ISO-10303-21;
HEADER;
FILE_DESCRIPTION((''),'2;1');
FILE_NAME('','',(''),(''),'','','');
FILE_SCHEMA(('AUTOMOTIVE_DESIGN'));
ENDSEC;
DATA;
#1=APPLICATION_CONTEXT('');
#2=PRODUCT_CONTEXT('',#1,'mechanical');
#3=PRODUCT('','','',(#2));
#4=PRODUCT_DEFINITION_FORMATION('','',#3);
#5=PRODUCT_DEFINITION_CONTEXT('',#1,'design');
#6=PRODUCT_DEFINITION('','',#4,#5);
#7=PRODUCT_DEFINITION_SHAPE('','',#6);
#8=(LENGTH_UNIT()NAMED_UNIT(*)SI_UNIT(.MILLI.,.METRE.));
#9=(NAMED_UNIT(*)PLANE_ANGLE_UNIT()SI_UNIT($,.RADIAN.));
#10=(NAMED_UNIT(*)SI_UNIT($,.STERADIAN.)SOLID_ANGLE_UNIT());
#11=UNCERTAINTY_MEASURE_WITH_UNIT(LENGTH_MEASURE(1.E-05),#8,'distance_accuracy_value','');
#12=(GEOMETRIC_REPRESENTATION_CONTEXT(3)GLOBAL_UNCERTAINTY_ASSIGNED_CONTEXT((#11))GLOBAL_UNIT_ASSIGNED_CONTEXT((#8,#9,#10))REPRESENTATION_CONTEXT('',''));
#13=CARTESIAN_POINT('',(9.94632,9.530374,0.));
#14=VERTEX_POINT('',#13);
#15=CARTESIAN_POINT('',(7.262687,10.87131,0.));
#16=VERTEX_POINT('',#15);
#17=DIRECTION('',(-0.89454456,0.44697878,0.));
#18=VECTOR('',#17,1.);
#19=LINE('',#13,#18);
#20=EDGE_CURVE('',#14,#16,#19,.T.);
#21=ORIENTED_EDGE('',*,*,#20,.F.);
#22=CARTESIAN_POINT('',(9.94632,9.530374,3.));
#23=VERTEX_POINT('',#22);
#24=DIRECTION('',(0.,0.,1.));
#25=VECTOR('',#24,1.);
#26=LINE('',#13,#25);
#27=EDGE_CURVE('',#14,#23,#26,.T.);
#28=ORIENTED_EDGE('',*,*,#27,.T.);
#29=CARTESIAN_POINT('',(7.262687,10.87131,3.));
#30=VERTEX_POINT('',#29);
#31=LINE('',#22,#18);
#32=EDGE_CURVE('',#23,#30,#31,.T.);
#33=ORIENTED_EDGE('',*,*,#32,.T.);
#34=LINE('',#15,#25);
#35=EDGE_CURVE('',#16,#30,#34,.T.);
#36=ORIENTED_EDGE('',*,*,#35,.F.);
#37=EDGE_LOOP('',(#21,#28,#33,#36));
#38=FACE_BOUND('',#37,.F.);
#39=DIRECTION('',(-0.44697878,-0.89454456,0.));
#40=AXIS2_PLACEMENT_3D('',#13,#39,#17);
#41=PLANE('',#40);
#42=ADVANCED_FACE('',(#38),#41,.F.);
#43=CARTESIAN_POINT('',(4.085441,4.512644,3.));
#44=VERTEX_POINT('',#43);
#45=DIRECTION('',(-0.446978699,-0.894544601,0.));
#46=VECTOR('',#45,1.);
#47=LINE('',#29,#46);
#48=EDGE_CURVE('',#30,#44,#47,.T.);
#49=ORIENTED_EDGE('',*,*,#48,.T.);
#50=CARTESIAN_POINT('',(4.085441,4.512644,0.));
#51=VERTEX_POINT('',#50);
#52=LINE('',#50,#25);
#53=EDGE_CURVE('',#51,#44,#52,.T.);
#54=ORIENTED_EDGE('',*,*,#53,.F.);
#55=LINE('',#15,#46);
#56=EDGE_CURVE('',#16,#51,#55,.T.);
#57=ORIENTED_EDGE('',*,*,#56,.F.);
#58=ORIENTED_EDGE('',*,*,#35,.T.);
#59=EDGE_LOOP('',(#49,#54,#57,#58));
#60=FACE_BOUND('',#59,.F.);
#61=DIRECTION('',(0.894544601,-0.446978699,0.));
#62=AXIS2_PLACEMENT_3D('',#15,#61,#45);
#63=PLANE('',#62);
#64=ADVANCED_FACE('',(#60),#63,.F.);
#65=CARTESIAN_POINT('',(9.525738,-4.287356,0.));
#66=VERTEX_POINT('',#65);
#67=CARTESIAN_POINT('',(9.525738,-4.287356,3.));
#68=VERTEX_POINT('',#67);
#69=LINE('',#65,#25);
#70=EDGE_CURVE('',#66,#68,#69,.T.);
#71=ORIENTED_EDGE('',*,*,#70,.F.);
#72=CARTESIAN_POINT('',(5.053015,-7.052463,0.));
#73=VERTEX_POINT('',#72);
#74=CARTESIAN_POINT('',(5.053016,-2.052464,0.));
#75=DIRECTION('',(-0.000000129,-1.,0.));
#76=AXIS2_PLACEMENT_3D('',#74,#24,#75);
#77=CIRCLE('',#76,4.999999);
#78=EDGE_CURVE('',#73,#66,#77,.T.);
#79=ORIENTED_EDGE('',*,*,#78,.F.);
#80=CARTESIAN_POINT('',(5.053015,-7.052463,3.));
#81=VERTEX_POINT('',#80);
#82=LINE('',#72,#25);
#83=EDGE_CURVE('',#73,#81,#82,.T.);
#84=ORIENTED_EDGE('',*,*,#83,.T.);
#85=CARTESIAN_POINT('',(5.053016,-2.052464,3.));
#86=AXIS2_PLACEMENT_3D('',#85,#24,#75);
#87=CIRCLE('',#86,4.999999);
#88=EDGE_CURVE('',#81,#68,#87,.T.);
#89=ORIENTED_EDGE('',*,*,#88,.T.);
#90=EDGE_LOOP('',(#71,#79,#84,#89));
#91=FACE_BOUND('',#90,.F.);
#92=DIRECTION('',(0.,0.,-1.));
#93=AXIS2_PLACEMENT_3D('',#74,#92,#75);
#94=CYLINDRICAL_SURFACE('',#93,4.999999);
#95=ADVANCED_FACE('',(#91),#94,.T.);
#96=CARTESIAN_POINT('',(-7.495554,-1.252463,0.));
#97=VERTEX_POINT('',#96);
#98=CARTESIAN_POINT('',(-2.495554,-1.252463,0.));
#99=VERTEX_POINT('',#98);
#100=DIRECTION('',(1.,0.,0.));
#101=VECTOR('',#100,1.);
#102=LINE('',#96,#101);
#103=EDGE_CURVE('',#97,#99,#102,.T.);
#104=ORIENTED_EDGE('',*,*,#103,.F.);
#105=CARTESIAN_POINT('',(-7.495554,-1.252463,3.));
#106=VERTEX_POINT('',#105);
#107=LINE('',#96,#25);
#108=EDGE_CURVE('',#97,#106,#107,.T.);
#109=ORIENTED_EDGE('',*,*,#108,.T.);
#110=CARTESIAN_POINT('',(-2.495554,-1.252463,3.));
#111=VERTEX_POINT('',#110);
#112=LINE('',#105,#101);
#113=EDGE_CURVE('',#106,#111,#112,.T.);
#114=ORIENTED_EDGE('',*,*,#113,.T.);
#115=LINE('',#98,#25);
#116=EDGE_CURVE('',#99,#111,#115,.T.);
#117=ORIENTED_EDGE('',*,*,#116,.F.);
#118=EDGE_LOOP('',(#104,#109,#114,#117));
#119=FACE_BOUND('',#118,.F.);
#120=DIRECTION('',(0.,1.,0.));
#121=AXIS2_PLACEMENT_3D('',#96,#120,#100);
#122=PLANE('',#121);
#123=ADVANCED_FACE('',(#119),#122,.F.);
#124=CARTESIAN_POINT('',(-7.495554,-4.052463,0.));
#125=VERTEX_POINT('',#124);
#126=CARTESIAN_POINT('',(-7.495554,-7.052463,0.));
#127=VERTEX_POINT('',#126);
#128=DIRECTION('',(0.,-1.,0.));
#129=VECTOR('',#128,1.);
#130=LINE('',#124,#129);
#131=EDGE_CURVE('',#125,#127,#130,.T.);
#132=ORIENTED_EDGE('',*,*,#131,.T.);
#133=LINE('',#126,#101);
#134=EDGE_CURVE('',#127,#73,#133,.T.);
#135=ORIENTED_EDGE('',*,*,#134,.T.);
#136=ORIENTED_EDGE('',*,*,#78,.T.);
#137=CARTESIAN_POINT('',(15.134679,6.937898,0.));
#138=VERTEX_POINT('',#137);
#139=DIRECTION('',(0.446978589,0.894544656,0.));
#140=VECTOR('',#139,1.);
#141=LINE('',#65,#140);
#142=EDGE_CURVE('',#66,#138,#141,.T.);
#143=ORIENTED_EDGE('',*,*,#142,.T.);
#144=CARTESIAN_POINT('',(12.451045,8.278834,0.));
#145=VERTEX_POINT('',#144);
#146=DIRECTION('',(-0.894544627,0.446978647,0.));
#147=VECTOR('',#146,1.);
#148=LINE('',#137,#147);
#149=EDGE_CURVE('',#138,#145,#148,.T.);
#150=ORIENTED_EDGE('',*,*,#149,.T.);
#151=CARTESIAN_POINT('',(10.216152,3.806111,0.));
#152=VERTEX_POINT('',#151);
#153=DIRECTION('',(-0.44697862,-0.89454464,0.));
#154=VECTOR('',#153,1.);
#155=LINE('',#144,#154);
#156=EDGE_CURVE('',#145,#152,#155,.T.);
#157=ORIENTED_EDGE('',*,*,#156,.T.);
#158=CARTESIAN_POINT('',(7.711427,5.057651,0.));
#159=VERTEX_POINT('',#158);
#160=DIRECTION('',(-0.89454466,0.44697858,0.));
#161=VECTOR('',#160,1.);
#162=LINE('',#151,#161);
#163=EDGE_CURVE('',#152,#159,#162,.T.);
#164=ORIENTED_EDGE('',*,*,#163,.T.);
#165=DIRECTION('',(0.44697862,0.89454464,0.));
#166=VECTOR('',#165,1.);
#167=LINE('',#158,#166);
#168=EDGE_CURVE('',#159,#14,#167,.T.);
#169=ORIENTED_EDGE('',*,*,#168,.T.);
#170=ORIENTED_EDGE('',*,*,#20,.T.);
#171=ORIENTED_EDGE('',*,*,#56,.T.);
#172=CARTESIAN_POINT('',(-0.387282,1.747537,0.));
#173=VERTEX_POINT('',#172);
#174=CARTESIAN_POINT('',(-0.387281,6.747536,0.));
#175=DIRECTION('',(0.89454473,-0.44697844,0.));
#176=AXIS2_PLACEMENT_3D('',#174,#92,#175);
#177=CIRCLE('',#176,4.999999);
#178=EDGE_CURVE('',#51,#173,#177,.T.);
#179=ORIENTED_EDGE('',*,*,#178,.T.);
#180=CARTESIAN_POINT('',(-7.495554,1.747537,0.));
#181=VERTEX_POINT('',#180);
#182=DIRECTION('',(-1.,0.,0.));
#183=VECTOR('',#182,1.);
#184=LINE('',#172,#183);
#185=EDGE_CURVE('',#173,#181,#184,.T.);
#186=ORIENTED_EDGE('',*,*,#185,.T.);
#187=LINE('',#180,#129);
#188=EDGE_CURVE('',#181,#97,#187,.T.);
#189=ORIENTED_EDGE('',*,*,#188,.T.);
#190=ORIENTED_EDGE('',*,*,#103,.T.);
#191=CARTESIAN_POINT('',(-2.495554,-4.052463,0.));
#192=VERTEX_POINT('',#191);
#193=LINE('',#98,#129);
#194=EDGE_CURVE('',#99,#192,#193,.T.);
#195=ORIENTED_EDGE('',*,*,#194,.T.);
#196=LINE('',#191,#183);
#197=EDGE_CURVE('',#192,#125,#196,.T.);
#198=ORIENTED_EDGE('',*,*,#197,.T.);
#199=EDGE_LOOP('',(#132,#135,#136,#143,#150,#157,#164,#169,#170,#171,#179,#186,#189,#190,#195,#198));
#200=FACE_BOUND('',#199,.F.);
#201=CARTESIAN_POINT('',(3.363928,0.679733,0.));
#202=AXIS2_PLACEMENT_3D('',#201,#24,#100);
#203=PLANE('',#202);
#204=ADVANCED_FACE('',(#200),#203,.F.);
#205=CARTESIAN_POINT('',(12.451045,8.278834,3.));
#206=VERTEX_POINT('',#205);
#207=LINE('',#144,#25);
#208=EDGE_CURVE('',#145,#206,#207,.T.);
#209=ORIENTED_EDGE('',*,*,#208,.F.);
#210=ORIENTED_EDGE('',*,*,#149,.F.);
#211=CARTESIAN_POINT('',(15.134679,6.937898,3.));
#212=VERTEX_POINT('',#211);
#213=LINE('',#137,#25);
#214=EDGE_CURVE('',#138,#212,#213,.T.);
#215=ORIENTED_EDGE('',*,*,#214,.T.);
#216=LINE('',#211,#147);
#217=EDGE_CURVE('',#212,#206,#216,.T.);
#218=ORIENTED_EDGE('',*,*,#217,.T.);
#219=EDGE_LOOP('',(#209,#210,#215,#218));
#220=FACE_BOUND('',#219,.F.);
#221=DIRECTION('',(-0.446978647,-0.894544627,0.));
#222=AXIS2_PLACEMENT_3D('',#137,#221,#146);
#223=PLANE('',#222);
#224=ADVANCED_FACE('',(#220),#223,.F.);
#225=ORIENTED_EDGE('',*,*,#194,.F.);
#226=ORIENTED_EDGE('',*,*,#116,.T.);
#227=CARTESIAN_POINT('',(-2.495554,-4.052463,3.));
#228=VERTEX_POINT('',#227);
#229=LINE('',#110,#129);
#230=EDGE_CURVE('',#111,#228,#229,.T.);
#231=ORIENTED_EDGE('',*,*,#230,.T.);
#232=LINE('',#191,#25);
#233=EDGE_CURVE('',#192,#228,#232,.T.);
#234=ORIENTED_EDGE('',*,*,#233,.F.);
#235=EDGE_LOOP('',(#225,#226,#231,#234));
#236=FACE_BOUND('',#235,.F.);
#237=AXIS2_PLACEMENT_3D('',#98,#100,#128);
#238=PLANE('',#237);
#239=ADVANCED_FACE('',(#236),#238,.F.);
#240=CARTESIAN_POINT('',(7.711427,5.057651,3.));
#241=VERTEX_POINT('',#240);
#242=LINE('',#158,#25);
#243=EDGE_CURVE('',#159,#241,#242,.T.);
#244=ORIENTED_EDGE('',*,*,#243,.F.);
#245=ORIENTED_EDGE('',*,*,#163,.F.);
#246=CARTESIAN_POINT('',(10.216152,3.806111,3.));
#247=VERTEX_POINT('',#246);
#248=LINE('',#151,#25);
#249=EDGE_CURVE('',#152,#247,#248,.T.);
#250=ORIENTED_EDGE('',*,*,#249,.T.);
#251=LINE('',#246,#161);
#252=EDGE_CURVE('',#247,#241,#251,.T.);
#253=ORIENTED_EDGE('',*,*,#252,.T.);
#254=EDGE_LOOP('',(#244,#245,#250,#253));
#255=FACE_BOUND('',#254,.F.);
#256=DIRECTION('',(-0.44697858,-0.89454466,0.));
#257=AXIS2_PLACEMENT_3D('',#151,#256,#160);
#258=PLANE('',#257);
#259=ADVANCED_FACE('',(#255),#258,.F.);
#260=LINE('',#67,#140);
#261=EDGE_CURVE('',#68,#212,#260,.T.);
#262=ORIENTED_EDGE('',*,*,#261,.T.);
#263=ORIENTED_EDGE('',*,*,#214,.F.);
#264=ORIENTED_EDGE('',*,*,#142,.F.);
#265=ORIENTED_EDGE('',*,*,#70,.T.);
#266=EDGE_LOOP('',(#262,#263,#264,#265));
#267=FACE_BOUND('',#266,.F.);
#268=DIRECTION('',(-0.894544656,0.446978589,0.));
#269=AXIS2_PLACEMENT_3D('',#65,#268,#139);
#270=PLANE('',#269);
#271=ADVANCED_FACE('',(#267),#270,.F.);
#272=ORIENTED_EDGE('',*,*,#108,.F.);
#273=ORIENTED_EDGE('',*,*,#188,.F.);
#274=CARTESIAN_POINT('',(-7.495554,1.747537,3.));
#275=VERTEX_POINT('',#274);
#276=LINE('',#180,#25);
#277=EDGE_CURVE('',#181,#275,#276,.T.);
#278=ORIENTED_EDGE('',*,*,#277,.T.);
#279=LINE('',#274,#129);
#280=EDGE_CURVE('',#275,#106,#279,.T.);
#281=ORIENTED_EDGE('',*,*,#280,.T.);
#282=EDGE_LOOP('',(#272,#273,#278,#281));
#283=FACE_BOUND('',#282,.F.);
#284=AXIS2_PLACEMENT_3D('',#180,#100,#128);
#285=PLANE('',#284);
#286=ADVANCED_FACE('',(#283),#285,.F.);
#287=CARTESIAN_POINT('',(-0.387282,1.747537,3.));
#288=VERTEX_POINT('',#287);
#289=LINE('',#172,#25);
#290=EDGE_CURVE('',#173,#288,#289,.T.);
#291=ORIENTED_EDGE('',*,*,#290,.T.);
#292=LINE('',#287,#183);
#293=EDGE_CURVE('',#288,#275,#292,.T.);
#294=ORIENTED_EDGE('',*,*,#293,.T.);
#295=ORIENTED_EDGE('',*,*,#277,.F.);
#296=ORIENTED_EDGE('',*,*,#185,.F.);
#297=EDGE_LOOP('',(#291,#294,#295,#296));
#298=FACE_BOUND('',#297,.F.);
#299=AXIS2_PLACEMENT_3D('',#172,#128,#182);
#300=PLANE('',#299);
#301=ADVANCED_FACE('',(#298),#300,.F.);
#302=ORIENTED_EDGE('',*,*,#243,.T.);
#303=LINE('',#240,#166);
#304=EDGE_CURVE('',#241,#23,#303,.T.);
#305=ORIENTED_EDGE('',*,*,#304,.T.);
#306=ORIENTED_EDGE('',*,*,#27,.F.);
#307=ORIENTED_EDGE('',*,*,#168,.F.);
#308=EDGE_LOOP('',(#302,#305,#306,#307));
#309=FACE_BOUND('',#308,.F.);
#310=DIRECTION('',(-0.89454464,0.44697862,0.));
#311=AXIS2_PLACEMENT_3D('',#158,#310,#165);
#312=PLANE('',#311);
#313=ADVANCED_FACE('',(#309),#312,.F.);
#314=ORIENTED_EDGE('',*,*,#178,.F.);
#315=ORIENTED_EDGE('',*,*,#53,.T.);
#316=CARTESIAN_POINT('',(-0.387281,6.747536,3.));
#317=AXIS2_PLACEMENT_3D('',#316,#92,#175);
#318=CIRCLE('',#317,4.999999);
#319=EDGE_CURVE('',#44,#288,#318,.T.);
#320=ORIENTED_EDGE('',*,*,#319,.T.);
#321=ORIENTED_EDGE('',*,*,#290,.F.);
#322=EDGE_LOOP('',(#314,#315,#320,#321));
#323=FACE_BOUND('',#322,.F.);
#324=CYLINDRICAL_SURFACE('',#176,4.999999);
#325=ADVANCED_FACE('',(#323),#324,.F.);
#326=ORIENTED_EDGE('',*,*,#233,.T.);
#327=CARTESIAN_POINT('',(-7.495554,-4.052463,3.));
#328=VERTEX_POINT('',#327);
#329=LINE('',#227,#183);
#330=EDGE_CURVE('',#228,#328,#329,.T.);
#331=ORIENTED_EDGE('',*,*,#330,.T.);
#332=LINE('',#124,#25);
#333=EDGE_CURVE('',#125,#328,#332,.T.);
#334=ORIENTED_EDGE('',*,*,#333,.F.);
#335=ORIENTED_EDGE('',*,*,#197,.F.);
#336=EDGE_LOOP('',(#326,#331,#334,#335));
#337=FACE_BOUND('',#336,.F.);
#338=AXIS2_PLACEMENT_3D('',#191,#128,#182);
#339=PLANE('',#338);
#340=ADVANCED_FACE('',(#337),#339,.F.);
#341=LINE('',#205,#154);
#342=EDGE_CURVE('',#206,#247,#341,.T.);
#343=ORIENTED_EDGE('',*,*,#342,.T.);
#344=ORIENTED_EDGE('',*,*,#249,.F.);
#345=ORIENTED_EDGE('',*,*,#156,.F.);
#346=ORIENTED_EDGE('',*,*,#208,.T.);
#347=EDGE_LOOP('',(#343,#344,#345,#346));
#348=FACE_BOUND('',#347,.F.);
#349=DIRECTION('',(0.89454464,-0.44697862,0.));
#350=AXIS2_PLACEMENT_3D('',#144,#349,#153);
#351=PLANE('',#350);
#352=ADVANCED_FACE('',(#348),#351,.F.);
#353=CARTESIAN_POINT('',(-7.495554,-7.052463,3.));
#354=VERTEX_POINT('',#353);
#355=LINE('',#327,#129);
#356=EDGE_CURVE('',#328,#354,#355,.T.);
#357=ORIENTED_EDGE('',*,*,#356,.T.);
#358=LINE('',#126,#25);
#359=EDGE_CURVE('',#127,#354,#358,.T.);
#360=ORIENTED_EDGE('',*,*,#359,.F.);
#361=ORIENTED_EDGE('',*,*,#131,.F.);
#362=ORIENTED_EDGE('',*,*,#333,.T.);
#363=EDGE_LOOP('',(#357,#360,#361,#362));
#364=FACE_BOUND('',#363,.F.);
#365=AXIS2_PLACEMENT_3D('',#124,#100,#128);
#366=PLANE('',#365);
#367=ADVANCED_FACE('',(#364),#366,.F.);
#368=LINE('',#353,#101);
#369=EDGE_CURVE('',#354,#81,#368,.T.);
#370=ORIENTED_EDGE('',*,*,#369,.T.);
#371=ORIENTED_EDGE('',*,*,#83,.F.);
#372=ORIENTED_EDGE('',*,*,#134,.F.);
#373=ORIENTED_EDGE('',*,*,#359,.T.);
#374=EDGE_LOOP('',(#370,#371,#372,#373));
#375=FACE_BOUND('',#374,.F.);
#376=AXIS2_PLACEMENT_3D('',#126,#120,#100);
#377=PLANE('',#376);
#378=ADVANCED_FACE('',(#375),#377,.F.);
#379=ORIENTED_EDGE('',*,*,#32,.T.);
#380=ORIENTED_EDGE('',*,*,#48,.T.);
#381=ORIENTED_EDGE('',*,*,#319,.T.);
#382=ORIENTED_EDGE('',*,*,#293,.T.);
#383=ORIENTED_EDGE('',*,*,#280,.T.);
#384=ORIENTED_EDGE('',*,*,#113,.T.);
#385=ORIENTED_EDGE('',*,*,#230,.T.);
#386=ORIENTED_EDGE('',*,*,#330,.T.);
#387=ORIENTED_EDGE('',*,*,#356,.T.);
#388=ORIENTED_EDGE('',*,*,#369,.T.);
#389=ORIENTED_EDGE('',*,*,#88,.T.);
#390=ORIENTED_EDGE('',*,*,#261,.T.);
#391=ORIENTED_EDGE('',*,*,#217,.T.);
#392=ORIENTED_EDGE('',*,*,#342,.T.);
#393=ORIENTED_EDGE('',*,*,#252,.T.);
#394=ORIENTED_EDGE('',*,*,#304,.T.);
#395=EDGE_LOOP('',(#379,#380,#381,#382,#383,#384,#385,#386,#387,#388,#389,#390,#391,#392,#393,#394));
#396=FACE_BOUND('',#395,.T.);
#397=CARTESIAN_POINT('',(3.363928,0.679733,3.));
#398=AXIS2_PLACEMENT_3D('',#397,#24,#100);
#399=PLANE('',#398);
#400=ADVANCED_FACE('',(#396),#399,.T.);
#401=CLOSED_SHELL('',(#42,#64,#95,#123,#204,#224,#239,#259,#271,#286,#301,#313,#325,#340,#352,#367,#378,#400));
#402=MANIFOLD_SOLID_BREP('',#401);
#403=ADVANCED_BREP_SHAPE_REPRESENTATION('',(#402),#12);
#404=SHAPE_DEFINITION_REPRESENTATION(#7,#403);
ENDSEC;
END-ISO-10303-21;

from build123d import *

# Parameters (mm, degrees)
F1_DEPTH = 3


with BuildPart() as f1:
    # F0 (on Top) → F1 (new body)
    with BuildSketch(Plane.XY):
        with BuildLine():
            Line((-7.495554, -1.252463), (-2.495554, -1.252463))
            Line((-2.495554, -1.252463), (-2.495554, -4.052463))
            Line((-2.495554, -4.052463), (-7.495554, -4.052463))
            Line((-7.495554, -4.052463), (-7.495554, -7.052463))
            Line((-7.495554, -7.052463), (5.053015, -7.052463))
            ThreePointArc((5.053015, -7.052463), (7.682229, -6.305372), (9.525738, -4.287356))
            Line((9.525738, -4.287356), (15.134679, 6.937898))
            Line((15.134679, 6.937898), (12.451045, 8.278834))
            Line((12.451045, 8.278834), (10.216152, 3.806111))
            Line((10.216152, 3.806111), (7.711427, 5.057651))
            Line((7.711427, 5.057651), (9.94632, 9.530374))
            Line((9.94632, 9.530374), (7.262687, 10.87131))
            Line((7.262687, 10.87131), (4.085441, 4.512644))
            ThreePointArc((4.085441, 4.512644), (2.241932, 2.494628), (-0.387282, 1.747537))
            Line((-0.387282, 1.747537), (-7.495554, 1.747537))
            Line((-7.495554, 1.747537), (-7.495554, -1.252463))
        make_face()
    extrude(amount=F1_DEPTH)


solid = f1.part
